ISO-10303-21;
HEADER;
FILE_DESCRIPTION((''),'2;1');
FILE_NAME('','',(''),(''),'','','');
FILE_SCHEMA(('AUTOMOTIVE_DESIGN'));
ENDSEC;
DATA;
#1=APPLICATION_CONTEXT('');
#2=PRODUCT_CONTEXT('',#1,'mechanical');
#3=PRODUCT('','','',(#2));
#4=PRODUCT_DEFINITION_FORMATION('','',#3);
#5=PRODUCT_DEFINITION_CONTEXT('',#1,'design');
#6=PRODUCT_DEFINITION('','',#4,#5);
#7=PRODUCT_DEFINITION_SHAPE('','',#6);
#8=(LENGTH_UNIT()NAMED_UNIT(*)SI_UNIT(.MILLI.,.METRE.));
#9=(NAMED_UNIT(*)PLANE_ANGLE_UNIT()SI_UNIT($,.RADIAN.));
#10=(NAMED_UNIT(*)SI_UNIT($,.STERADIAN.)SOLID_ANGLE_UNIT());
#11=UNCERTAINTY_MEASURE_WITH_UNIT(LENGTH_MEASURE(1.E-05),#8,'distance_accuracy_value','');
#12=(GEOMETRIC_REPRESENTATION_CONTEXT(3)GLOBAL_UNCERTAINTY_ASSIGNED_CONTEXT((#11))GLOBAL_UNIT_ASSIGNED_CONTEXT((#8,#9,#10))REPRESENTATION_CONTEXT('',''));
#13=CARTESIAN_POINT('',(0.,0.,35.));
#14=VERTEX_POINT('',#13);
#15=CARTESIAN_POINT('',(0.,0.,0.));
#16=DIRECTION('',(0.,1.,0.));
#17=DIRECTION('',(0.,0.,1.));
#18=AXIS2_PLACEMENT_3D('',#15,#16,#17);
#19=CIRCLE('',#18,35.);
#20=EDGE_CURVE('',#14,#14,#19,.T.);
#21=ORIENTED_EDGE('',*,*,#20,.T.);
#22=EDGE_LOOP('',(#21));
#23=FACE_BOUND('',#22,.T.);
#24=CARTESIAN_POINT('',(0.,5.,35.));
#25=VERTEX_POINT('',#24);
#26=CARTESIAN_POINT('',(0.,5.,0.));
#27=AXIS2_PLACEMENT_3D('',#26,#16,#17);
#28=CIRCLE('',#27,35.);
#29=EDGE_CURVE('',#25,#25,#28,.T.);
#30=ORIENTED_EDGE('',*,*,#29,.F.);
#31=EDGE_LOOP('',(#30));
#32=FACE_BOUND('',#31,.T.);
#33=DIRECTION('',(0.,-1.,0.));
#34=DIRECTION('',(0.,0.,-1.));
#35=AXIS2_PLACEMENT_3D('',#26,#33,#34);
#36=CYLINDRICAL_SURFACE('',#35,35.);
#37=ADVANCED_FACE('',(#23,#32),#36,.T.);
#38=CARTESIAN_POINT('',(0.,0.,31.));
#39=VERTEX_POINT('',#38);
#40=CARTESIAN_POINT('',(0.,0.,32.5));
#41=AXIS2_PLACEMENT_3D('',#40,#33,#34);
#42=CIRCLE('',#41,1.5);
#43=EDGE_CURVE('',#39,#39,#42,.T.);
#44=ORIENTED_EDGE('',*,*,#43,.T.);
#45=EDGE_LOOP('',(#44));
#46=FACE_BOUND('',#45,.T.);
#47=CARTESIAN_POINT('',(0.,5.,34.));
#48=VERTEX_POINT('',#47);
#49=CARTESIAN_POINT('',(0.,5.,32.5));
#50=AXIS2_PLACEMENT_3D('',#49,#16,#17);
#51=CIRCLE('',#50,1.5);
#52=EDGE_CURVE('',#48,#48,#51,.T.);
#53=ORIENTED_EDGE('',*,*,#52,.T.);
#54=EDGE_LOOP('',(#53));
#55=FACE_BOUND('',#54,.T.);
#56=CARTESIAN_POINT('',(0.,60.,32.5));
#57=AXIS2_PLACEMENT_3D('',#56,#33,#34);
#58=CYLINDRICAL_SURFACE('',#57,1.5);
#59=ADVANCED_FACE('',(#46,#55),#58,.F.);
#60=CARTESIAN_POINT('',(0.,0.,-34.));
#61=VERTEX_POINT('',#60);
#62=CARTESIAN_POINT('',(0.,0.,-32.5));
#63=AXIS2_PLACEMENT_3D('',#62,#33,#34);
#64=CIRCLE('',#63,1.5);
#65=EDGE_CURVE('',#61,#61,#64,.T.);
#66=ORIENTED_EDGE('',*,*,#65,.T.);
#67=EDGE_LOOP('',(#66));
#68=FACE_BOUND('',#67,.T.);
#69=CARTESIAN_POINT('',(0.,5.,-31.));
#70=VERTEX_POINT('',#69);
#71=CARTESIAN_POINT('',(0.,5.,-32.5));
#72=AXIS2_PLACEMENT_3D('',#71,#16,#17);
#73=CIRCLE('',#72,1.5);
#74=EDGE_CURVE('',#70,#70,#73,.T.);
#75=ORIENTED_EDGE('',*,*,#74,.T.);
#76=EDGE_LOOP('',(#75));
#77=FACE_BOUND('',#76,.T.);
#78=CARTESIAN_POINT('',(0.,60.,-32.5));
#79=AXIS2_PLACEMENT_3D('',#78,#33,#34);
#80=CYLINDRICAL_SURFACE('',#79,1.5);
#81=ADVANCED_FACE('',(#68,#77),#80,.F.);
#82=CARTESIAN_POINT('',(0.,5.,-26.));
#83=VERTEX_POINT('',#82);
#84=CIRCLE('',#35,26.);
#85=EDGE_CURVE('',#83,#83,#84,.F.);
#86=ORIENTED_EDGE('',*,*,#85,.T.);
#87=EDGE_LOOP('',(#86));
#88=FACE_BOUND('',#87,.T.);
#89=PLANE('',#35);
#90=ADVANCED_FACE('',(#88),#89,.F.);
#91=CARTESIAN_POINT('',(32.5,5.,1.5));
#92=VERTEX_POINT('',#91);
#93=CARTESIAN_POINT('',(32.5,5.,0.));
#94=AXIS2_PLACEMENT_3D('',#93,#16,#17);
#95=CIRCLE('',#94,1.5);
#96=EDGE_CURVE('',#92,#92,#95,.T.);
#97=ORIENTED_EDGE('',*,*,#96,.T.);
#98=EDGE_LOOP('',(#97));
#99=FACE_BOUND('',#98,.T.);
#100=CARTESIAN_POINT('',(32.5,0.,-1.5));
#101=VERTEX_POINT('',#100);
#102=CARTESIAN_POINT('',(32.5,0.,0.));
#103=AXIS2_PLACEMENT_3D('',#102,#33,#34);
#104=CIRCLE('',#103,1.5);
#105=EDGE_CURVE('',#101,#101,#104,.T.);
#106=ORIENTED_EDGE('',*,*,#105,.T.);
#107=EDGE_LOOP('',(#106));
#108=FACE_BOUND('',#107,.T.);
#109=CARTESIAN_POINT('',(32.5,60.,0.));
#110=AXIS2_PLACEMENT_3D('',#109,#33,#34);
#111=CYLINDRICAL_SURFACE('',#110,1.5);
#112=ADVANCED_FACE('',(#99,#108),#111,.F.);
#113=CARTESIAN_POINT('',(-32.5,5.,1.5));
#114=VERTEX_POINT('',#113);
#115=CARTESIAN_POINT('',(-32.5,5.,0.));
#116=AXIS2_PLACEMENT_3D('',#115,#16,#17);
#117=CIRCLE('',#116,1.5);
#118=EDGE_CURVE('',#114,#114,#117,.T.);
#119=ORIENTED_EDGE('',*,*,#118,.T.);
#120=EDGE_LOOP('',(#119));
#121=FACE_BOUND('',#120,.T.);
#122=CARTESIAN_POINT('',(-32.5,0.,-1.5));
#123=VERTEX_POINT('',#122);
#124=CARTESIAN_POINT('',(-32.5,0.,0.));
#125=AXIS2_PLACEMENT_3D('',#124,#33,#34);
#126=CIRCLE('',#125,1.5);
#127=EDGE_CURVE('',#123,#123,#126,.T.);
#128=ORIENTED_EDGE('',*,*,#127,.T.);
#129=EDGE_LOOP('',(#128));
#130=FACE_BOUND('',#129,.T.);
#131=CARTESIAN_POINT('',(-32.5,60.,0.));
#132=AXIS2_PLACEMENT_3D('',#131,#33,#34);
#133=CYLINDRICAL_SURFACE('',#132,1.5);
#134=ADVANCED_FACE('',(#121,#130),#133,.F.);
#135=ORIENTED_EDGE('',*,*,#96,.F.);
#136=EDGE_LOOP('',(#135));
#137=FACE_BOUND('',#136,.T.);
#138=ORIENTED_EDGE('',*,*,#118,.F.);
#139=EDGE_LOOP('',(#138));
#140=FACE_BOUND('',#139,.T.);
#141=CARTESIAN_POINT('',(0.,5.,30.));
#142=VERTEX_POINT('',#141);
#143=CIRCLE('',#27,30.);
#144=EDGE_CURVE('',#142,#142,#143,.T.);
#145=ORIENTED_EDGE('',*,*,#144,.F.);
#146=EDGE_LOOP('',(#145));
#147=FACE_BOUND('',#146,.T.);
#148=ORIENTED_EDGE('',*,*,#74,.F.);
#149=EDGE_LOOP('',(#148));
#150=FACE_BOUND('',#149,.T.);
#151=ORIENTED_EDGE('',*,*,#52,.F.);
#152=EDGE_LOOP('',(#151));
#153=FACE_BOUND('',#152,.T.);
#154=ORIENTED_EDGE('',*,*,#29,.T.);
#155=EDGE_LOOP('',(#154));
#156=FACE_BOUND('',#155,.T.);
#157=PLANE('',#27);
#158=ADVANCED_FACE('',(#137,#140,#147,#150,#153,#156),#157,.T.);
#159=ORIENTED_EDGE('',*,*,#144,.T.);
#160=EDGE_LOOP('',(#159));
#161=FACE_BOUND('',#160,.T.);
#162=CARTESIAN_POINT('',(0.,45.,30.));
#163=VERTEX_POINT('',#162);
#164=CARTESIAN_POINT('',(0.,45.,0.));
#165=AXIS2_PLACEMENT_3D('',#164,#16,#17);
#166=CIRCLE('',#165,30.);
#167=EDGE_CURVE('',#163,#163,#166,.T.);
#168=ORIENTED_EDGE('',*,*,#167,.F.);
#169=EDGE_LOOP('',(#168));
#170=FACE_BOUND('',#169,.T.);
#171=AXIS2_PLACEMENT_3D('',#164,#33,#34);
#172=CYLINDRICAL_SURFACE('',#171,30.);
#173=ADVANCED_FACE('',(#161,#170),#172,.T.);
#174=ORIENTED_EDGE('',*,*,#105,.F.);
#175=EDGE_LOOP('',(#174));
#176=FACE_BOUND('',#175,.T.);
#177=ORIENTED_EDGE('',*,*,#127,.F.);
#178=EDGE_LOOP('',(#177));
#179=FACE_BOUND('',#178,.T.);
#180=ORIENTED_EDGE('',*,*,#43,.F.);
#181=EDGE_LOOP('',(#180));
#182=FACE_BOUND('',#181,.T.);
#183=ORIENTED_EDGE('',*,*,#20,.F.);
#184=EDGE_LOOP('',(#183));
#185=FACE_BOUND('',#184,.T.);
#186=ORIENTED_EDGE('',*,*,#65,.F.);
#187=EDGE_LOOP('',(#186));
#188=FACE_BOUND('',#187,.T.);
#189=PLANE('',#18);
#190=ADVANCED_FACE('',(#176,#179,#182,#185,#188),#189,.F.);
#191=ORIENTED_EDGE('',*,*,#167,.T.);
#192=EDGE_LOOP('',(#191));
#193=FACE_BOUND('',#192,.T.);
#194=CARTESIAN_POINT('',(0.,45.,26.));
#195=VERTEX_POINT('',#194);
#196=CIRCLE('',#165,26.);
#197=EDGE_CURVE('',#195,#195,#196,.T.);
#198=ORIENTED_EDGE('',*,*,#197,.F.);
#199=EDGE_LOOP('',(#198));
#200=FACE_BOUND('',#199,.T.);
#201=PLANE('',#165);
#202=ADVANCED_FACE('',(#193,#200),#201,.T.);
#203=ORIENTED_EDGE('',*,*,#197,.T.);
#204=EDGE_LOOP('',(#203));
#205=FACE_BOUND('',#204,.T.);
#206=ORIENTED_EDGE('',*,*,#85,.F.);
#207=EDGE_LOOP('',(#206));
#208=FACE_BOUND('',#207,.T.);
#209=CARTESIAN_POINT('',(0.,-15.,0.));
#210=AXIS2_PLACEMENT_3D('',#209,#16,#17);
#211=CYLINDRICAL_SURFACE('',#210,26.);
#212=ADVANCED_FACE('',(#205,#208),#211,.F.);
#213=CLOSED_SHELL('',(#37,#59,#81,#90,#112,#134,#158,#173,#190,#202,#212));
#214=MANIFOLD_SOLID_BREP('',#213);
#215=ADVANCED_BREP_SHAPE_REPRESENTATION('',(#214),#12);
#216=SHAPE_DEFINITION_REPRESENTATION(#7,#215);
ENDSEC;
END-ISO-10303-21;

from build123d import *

# Parameters (mm, degrees)
SKETCH1_R           = 35
BOSS_EXTRUDE1_DEPTH = 5
SKETCH2_R           = 30
BOSS_EXTRUDE2_DEPTH = 40
SKETCH3_R           = 26
CUT_EXTRUDE2_DEPTH  = 60
SKETCH4_R           = 1.5
CUT_EXTRUDE3_DEPTH  = 60
BOSS_EXTRUDE3_START = -5
SKETCH5_R           = 26
BOSS_EXTRUDE3_DEPTH = 5


with BuildPart() as part:
    # Sketch1 → Boss-Extrude1 (new body)
    with BuildSketch(Plane(origin=(0, 0, 0), x_dir=(1, 0, 0), z_dir=(0, 1, 0))):
        with Locations(Location((0, 0, 0), (0, 0, 270))):
            Circle(SKETCH1_R)
    extrude(amount=BOSS_EXTRUDE1_DEPTH)

    # Sketch2 → Boss-Extrude2 (add)
    with BuildSketch(Plane(origin=(0, 5, 0), x_dir=(1, 0, 0), z_dir=(0, 1, 0))):
        with Locations(Location((0, 0, 0), (0, 0, 270))):
            Circle(SKETCH2_R)
    extrude(amount=BOSS_EXTRUDE2_DEPTH)

    # Sketch3 → Cut-Extrude2 (cut)
    with BuildSketch(Plane(origin=(0, 45, 0), x_dir=(1, 0, 0), z_dir=(0, 1, 0))):
        with Locations(Location((0, 0, 0), (0, 0, 270))):
            Circle(SKETCH3_R)
    extrude(amount=-CUT_EXTRUDE2_DEPTH, mode=Mode.SUBTRACT)

    # Sketch4 → Cut-Extrude3 (cut)
    with BuildSketch(Plane.XZ):
        with Locations(Location((0, 32.5, 0), (0, 0, 270))):
            Circle(SKETCH4_R)
        with Locations(Location((32.5, 0, 0), (0, 0, 270))):
            Circle(SKETCH4_R)
        with Locations(Location((0, -32.5, 0), (0, 0, 270))):
            Circle(SKETCH4_R)
        with Locations(Location((-32.5, 0, 0), (0, 0, 270))):
            Circle(SKETCH4_R)
    extrude(amount=-CUT_EXTRUDE3_DEPTH, mode=Mode.SUBTRACT)

    # Sketch5 → Boss-Extrude3 (add)
    with BuildSketch(Plane.XZ.offset(BOSS_EXTRUDE3_START)):
        with Locations(Location((0, 0, 0), (0, 0, 90))):
            Circle(SKETCH5_R)
    extrude(amount=BOSS_EXTRUDE3_DEPTH)


solid = part.part
